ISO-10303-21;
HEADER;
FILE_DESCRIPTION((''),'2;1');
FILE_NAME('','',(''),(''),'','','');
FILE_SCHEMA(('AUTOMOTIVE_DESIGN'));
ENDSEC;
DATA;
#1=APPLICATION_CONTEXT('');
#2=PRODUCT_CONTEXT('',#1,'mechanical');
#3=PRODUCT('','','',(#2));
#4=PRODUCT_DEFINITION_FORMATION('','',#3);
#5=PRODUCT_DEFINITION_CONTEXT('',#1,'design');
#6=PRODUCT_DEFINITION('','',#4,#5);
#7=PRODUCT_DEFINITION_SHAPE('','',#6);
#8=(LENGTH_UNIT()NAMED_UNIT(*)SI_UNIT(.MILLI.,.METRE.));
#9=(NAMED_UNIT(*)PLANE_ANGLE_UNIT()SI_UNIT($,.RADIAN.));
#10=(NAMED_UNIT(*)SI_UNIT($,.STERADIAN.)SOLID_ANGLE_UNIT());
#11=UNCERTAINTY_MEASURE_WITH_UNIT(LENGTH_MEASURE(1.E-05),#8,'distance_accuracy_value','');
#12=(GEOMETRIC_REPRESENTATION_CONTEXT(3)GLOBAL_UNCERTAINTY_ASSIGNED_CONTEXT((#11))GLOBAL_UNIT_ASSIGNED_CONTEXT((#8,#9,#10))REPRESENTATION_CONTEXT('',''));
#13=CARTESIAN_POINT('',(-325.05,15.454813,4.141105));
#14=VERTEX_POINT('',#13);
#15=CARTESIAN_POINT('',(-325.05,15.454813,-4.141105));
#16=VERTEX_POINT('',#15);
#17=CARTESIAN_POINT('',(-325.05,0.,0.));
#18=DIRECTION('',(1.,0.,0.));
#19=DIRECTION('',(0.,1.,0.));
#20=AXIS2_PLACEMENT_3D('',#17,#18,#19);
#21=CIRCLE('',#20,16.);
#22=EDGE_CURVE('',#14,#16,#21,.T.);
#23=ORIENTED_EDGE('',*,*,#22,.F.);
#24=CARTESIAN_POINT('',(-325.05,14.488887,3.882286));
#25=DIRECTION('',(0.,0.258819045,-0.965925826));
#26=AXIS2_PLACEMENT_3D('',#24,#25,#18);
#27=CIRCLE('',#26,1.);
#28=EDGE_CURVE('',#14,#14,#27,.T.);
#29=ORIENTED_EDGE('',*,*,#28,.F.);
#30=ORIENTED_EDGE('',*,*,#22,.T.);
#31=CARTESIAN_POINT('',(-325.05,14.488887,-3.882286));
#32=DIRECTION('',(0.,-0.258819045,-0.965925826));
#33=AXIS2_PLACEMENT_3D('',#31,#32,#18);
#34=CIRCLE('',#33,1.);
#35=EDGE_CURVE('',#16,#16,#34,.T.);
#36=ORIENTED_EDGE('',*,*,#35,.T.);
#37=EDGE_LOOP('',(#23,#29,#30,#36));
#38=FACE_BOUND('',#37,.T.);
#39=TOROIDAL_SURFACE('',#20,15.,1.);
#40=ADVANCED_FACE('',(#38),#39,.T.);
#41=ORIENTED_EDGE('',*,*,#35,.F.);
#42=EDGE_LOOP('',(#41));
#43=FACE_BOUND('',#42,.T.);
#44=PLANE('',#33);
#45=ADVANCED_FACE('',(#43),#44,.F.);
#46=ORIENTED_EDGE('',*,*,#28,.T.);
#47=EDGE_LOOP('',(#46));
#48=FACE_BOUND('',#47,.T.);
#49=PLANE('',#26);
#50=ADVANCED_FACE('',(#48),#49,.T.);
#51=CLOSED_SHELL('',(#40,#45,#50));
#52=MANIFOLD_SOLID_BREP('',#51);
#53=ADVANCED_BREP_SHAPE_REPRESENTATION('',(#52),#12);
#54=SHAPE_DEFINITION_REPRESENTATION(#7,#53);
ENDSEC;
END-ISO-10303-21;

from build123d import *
from build123d.topology import SkipClean

# Parameters (mm, degrees)
SKICA1_R       = 1
ROTOVAT1_ANGLE = 330


with BuildPart() as part:
    # Skica1 → Rotovat1 (revolve, symmetric)
    with SkipClean():  # the faces are left unmerged after this step: merging them gives an invalid solid
        with BuildSketch(Plane.XY) as rotovat1_sk:
            with Locations((-325.05, -15)):
                Circle(SKICA1_R)
        revolve(axis=Axis((-67.482261058, 0, 0), (-1, 0, 0)), revolution_arc=ROTOVAT1_ANGLE / 2)
        revolve(rotovat1_sk.sketch, axis=Axis((-67.482261058, 0, 0), (1, 0, 0)), revolution_arc=ROTOVAT1_ANGLE / 2)


solid = part.part
